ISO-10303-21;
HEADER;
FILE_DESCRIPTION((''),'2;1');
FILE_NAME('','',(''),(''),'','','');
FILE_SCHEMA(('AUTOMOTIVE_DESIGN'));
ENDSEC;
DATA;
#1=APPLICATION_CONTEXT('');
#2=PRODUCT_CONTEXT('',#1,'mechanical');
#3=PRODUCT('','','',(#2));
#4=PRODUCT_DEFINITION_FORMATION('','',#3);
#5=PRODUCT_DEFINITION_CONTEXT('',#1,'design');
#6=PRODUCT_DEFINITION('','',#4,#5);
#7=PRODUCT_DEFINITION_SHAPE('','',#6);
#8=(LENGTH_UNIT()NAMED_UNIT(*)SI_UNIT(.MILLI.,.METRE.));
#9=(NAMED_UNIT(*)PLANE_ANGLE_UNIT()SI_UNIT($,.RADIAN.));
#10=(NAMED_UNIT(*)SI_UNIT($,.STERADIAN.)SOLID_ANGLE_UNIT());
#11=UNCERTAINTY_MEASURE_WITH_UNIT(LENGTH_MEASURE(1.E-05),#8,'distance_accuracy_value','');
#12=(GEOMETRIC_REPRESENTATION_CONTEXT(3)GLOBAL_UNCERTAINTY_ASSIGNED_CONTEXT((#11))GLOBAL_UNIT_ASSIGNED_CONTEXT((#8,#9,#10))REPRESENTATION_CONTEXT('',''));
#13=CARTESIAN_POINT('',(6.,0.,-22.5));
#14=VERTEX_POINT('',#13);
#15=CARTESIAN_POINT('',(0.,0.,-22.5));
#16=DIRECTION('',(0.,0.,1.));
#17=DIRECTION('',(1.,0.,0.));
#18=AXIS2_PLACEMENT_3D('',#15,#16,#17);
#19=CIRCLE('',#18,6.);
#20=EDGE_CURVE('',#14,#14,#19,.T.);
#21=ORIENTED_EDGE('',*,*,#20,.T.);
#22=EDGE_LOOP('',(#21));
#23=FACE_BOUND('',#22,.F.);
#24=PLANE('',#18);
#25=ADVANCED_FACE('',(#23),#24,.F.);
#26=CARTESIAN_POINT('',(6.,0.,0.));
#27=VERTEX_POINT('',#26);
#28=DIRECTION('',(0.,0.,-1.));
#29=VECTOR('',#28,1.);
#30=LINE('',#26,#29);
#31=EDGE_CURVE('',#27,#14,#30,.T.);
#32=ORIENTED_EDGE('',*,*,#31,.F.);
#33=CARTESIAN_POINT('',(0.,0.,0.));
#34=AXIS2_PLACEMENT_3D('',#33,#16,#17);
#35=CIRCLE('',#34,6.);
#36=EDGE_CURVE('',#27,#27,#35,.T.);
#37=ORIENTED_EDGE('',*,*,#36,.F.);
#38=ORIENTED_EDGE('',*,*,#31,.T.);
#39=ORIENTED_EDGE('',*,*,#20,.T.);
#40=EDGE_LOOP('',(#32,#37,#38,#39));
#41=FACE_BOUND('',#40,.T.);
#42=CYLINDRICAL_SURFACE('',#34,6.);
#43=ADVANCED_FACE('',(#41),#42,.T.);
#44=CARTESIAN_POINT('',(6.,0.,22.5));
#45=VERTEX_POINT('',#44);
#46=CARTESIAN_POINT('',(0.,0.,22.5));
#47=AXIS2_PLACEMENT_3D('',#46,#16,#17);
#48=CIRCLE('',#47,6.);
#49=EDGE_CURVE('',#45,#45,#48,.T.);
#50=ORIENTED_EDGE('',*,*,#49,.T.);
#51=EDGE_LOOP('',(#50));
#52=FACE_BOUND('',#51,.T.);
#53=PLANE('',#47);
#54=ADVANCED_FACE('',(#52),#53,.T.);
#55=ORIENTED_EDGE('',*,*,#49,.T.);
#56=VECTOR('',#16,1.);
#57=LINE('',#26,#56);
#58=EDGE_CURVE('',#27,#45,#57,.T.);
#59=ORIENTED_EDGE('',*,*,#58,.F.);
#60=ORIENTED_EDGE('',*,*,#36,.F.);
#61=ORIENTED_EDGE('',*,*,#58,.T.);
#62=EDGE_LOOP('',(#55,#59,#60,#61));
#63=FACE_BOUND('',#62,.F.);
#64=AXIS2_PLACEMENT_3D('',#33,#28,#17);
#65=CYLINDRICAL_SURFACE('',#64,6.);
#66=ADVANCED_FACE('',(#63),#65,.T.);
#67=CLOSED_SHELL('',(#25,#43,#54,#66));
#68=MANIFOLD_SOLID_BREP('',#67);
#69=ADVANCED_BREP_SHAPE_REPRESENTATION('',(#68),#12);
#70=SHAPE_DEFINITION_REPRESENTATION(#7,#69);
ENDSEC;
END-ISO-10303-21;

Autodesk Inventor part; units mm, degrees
ref_plane "YZ Plane" through (0, 0, 0) normal (1, 0, 0) x (0, 1, 0)
ref_plane "XZ Plane" through (0, 0, 0) normal (0, 1, 0) x (-1, 0, 0)
ref_plane "XY Plane" through (0, 0, 0) normal (0, 0, 1) x (1, 0, 0)
sketch "Sketch1" plane through (0, 0, 0) normal (0, 0, 1) x (1, 0, 0)
  circle A0 centre (0, 0) radius 6
  dimension "d0" = 12
extrude "Extrusion1" add sketch "Sketch1" along normal mid plane 45
equation "\"d0\" = Шпил_пласт_НОС_диам_шпильки"
equation "\"Шпил_пласт_НОС_диам_шпильки\" = 12"
properties part number "ДМФ 043 шпилька 2"
